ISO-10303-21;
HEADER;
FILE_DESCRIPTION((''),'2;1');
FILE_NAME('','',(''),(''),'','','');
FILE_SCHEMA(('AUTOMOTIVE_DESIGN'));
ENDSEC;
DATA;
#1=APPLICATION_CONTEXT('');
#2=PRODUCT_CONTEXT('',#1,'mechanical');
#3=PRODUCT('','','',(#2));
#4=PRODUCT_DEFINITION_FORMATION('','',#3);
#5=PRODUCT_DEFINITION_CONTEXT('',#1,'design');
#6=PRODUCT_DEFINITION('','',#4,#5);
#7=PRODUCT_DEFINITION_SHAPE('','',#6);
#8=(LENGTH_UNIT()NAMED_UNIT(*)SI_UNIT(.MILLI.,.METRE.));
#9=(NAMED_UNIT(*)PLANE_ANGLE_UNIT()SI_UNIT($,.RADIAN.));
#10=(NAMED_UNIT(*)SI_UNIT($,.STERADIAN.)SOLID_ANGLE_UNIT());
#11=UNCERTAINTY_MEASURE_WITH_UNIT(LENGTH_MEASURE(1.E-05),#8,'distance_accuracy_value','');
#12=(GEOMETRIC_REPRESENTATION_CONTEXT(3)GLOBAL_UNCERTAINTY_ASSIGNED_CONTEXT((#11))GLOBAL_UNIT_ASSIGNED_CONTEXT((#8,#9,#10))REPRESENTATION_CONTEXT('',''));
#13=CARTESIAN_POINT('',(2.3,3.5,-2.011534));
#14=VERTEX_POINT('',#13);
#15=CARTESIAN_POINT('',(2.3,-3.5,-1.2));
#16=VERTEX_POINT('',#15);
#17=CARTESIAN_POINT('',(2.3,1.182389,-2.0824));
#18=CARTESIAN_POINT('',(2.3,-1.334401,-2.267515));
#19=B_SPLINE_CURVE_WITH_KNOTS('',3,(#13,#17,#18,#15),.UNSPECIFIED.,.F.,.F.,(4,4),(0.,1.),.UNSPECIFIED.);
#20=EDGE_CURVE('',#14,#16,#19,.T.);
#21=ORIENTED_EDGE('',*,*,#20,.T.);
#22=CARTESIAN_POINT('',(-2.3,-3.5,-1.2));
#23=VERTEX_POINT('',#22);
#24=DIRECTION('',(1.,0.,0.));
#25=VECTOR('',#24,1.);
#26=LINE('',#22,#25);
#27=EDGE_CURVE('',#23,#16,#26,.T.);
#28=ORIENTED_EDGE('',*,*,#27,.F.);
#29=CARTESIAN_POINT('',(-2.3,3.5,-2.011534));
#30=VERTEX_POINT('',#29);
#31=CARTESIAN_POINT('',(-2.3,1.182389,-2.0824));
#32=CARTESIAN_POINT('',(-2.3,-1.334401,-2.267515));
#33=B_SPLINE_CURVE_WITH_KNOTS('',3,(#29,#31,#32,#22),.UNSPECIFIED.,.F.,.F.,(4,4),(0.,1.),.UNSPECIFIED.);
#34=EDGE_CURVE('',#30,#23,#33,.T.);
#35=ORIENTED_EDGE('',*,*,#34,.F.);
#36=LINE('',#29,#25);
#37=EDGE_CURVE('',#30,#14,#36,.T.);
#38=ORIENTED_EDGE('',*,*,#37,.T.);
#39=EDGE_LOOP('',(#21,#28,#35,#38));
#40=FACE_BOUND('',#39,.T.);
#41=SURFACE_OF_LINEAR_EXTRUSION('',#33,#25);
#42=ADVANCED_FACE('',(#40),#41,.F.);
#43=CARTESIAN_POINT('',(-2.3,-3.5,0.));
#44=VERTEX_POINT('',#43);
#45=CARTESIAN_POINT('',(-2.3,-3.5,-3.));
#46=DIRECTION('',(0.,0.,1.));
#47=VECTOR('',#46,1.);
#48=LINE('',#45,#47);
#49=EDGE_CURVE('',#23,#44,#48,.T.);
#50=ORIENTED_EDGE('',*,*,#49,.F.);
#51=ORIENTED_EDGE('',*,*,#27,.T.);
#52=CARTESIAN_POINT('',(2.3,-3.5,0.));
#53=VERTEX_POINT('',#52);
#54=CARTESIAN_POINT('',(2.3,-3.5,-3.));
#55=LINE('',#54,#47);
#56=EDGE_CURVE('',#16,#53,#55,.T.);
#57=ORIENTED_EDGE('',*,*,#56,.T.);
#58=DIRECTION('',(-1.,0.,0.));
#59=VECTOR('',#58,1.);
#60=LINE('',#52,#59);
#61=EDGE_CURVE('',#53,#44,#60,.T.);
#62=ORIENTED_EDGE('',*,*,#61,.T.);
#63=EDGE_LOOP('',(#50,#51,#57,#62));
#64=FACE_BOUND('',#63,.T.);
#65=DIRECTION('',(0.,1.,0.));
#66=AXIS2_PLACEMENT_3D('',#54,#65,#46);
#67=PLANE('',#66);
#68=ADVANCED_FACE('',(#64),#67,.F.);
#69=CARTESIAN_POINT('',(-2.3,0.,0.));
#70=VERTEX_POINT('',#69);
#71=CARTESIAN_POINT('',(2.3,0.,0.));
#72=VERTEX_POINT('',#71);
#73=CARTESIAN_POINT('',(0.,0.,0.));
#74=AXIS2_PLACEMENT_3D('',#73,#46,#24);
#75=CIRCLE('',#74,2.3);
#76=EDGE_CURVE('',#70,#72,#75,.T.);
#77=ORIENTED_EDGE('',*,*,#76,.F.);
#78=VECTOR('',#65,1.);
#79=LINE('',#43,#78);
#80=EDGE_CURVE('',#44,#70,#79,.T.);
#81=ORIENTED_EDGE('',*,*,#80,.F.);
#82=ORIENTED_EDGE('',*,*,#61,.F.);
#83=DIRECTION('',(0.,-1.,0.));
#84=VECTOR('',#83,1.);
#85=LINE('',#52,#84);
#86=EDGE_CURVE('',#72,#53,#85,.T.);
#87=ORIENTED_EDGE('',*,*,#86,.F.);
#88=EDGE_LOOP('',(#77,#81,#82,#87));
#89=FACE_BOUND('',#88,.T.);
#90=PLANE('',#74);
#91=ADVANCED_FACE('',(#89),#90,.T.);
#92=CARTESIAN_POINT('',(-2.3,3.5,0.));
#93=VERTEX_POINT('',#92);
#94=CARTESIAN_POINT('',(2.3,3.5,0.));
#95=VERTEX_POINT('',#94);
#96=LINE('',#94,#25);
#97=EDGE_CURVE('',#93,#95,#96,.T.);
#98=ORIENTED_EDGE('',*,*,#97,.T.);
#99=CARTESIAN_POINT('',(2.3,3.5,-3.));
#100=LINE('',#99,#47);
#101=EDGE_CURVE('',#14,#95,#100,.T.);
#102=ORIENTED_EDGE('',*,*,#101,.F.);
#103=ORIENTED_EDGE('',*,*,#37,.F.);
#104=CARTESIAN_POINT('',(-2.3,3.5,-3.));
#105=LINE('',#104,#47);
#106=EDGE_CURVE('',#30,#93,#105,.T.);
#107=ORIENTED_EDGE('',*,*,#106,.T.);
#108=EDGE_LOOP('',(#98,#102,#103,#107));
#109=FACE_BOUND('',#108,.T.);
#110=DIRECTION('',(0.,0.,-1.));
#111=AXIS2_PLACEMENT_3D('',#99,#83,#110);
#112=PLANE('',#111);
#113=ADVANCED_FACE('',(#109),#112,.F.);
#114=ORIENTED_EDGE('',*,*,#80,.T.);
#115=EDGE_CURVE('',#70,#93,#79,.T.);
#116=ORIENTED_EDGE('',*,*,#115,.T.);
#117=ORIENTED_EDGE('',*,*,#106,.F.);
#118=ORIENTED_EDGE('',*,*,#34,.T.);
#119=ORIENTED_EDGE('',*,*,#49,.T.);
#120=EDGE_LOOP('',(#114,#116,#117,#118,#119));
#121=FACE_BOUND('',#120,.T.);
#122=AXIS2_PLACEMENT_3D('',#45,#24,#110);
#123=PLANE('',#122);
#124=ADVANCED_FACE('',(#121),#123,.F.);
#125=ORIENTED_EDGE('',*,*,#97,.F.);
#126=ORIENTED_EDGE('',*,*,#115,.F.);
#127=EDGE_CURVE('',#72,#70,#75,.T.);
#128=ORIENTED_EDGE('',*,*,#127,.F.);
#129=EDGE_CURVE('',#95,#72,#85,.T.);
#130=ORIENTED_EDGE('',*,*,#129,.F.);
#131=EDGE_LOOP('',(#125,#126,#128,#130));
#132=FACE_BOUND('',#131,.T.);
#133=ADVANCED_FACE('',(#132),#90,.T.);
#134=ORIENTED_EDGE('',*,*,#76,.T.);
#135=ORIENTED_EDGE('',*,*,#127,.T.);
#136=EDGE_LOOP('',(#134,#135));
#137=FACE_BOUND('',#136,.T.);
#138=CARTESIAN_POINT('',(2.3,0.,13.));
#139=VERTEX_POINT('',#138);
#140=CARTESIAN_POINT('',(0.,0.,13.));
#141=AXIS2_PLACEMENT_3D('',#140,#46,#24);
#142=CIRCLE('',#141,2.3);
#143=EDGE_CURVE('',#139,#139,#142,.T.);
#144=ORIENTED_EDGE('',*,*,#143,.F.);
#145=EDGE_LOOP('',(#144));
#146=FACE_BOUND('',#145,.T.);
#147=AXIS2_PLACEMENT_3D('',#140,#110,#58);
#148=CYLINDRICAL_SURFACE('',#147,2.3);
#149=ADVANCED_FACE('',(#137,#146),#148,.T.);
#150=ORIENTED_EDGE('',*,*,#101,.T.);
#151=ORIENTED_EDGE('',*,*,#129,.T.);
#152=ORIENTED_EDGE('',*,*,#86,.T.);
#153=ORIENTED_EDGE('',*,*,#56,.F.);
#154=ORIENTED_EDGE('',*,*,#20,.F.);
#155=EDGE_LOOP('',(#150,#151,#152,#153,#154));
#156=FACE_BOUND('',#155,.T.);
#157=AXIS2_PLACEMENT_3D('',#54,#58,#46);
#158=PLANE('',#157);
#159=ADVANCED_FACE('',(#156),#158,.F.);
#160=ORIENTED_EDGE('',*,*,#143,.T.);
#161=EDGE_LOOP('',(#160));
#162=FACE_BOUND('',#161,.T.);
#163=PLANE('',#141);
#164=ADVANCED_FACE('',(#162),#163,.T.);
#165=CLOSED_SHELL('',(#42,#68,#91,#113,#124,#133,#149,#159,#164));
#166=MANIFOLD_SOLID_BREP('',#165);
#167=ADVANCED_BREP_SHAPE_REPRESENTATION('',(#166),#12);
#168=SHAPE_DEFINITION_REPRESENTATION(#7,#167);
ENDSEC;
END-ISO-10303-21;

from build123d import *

# Parameters (mm, degrees)
SKETCH1_R           = 2.3
BOSS_EXTRUDE1_DEPTH = 13
SKETCH2_W           = 4.6
SKETCH2_H           = 7
BOSS_EXTRUDE2_DEPTH = 3
CUT_EXTRUDE1_DEPTH  = 4.6


with BuildPart() as part:
    # Sketch1 → Boss-Extrude1 (new body)
    with BuildSketch(Plane.XY):
        with Locations(Location((0, 0, 0), (0, 0, 180))):
            Circle(SKETCH1_R)
    extrude(amount=BOSS_EXTRUDE1_DEPTH)

    # Sketch2 → Boss-Extrude2 (add)
    with BuildSketch(Plane(origin=(0, 0, 0), x_dir=(-1, 0, 0), z_dir=(0, 0, -1))):
        Rectangle(SKETCH2_W, SKETCH2_H)
    extrude(amount=BOSS_EXTRUDE2_DEPTH)

    # Sketch3 → Cut-Extrude1 (cut)
    with BuildSketch(Plane(origin=(2.3, 0, 0), x_dir=(0, 0, -1), z_dir=(1, 0, 0))):
        with BuildLine():
            Line((1.2, -3.5), (3, -3.5))
            Line((3, -3.5), (3, 3.5))
            Line((3, 3.5), (2.011534301, 3.5))
            add(Edge.make_bspline(
                [(1.2, -3.5), (2.267514736, -1.334400874), (2.08240034, 1.182388913), (2.011534301, 3.5)],
                knots=[0, 0, 0, 0, 1, 1, 1, 1], degree=3))
        make_face()
    extrude(amount=-CUT_EXTRUDE1_DEPTH, mode=Mode.SUBTRACT)


solid = part.part
